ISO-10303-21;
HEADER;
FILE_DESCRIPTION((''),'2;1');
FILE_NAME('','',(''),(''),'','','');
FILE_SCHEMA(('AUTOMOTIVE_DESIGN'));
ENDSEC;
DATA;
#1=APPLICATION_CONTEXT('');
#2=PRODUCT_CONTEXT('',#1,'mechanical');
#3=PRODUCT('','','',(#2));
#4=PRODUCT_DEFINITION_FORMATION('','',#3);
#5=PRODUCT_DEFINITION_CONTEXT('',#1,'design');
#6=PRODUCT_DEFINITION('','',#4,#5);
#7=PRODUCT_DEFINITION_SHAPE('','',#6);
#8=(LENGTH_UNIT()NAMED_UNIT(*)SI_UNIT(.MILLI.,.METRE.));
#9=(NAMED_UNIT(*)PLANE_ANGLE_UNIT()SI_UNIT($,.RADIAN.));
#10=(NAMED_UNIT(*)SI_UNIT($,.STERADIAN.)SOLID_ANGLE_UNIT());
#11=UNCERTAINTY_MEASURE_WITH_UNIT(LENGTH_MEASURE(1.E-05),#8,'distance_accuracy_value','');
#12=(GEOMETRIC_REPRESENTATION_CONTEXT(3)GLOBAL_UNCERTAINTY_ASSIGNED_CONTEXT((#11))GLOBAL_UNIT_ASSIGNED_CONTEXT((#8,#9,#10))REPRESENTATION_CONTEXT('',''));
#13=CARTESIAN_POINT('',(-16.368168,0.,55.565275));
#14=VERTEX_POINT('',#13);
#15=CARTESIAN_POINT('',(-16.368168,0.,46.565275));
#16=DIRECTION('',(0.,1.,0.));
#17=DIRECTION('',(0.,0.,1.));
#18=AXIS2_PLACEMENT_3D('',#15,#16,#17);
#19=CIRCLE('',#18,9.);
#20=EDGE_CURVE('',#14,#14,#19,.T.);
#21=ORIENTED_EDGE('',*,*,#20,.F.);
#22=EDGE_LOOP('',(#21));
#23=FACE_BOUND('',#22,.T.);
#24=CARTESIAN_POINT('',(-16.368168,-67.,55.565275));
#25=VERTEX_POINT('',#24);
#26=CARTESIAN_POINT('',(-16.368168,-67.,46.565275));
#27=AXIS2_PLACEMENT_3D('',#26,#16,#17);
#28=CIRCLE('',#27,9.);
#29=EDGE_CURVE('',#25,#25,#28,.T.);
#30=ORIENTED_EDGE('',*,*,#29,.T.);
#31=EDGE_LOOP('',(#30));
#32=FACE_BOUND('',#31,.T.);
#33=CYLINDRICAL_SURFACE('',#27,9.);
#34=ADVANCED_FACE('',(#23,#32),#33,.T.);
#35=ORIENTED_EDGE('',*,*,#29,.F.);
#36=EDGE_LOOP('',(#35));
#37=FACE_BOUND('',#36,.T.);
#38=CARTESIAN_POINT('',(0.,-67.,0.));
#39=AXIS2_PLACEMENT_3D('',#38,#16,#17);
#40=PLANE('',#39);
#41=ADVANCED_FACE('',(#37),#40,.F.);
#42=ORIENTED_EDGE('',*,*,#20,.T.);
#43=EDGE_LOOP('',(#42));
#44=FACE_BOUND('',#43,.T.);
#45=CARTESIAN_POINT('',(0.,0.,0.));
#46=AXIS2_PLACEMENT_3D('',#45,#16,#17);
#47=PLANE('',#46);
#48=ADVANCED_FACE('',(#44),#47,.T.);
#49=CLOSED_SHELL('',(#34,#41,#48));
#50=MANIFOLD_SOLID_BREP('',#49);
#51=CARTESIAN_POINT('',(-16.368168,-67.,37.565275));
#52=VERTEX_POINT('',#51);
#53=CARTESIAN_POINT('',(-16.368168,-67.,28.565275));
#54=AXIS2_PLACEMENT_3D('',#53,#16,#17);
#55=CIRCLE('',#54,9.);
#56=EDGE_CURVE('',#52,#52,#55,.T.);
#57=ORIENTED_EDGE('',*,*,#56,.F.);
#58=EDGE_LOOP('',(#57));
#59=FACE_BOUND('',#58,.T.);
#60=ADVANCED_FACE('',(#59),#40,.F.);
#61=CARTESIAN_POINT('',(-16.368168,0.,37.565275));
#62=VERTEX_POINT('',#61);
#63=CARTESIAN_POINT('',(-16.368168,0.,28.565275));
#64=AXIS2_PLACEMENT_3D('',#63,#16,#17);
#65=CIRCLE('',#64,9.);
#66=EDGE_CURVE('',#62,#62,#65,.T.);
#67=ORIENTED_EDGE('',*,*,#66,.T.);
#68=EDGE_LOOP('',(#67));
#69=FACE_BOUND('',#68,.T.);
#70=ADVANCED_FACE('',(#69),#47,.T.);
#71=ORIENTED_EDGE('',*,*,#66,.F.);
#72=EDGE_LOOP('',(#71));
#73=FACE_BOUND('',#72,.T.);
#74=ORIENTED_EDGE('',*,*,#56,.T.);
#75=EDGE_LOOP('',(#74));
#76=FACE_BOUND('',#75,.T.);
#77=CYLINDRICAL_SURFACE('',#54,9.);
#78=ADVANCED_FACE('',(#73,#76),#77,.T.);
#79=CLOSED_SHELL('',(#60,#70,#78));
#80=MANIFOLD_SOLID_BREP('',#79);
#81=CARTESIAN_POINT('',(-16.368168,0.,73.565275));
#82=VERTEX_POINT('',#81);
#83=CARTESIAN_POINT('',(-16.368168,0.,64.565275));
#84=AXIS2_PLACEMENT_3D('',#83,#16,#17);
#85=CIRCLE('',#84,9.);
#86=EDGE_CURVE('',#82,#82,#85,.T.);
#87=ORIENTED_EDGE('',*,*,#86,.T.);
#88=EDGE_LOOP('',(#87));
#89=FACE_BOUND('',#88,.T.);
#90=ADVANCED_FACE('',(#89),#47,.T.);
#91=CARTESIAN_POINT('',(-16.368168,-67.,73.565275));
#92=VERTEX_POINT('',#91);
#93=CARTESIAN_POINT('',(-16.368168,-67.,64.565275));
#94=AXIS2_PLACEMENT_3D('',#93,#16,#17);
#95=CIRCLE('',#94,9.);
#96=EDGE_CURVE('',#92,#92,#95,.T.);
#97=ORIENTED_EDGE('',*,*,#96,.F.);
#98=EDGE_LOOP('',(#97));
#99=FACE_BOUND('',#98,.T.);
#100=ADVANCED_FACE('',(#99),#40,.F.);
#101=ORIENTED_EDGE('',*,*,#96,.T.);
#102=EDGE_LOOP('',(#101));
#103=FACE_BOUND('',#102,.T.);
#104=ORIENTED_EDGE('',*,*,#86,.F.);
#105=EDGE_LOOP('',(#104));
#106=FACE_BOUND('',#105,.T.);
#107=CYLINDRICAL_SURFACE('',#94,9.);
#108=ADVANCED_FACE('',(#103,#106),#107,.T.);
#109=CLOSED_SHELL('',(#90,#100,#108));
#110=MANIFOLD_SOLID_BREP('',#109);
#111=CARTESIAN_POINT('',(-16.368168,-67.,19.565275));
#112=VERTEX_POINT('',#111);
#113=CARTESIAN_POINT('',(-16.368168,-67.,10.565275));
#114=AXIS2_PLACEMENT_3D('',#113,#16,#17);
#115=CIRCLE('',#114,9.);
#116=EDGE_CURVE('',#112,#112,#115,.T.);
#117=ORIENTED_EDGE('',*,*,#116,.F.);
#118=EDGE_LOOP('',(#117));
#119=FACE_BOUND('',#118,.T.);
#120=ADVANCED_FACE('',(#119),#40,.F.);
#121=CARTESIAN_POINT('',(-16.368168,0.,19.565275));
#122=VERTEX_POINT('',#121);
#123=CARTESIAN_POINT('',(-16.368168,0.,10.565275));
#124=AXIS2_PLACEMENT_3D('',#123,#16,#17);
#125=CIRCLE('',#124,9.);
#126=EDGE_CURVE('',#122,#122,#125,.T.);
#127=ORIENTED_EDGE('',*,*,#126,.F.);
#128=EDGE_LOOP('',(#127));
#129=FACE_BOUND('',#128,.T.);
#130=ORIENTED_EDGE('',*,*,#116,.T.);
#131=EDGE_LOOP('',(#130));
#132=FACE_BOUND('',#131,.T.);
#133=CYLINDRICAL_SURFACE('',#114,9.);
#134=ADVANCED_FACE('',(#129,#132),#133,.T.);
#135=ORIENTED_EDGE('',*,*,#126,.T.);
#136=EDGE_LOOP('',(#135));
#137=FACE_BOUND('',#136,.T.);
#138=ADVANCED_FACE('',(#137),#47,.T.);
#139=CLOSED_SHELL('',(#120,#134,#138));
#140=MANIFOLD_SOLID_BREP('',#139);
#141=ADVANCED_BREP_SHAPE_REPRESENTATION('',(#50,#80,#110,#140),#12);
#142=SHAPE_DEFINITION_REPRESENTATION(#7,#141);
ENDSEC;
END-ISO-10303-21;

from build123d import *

# Parameters (mm, degrees)
SKETCH1_R             = 9
BOSS_EXTRUDE1_DEPTH   = 67
BOSS_EXTRUDE1_2_DEPTH = 67
BOSS_EXTRUDE1_3_DEPTH = 67
BOSS_EXTRUDE1_4_DEPTH = 67


with BuildPart() as part:
    # Sketch1 → Boss-Extrude1 (new body)
    with BuildSketch(Plane(origin=(0, 0, 0), x_dir=(1, 0, 0), z_dir=(0, 1, 0))):
        with Locations((-16.368168457, -64.565274904)):
            Circle(SKETCH1_R)
    extrude(amount=-BOSS_EXTRUDE1_DEPTH)


with BuildPart() as body_2:
    # Sketch1 → Boss-Extrude1 2 (new body)
    with BuildSketch(Plane(origin=(0, 0, 0), x_dir=(1, 0, 0), z_dir=(0, 1, 0))):
        with Locations((-16.368168457, -46.565274904)):
            Circle(SKETCH1_R)
    extrude(amount=-BOSS_EXTRUDE1_2_DEPTH)


with BuildPart() as body_3:
    # Sketch1 → Boss-Extrude1 3 (new body)
    with BuildSketch(Plane(origin=(0, 0, 0), x_dir=(1, 0, 0), z_dir=(0, 1, 0))):
        with Locations((-16.368168457, -28.565274904)):
            Circle(SKETCH1_R)
    extrude(amount=-BOSS_EXTRUDE1_3_DEPTH)


with BuildPart() as body_4:
    # Sketch1 → Boss-Extrude1 4 (new body)
    with BuildSketch(Plane(origin=(0, 0, 0), x_dir=(1, 0, 0), z_dir=(0, 1, 0))):
        with Locations((-16.368168457, -10.565274904)):
            Circle(SKETCH1_R)
    extrude(amount=-BOSS_EXTRUDE1_4_DEPTH)


solid = Compound([part.part, body_2.part, body_3.part, body_4.part])
